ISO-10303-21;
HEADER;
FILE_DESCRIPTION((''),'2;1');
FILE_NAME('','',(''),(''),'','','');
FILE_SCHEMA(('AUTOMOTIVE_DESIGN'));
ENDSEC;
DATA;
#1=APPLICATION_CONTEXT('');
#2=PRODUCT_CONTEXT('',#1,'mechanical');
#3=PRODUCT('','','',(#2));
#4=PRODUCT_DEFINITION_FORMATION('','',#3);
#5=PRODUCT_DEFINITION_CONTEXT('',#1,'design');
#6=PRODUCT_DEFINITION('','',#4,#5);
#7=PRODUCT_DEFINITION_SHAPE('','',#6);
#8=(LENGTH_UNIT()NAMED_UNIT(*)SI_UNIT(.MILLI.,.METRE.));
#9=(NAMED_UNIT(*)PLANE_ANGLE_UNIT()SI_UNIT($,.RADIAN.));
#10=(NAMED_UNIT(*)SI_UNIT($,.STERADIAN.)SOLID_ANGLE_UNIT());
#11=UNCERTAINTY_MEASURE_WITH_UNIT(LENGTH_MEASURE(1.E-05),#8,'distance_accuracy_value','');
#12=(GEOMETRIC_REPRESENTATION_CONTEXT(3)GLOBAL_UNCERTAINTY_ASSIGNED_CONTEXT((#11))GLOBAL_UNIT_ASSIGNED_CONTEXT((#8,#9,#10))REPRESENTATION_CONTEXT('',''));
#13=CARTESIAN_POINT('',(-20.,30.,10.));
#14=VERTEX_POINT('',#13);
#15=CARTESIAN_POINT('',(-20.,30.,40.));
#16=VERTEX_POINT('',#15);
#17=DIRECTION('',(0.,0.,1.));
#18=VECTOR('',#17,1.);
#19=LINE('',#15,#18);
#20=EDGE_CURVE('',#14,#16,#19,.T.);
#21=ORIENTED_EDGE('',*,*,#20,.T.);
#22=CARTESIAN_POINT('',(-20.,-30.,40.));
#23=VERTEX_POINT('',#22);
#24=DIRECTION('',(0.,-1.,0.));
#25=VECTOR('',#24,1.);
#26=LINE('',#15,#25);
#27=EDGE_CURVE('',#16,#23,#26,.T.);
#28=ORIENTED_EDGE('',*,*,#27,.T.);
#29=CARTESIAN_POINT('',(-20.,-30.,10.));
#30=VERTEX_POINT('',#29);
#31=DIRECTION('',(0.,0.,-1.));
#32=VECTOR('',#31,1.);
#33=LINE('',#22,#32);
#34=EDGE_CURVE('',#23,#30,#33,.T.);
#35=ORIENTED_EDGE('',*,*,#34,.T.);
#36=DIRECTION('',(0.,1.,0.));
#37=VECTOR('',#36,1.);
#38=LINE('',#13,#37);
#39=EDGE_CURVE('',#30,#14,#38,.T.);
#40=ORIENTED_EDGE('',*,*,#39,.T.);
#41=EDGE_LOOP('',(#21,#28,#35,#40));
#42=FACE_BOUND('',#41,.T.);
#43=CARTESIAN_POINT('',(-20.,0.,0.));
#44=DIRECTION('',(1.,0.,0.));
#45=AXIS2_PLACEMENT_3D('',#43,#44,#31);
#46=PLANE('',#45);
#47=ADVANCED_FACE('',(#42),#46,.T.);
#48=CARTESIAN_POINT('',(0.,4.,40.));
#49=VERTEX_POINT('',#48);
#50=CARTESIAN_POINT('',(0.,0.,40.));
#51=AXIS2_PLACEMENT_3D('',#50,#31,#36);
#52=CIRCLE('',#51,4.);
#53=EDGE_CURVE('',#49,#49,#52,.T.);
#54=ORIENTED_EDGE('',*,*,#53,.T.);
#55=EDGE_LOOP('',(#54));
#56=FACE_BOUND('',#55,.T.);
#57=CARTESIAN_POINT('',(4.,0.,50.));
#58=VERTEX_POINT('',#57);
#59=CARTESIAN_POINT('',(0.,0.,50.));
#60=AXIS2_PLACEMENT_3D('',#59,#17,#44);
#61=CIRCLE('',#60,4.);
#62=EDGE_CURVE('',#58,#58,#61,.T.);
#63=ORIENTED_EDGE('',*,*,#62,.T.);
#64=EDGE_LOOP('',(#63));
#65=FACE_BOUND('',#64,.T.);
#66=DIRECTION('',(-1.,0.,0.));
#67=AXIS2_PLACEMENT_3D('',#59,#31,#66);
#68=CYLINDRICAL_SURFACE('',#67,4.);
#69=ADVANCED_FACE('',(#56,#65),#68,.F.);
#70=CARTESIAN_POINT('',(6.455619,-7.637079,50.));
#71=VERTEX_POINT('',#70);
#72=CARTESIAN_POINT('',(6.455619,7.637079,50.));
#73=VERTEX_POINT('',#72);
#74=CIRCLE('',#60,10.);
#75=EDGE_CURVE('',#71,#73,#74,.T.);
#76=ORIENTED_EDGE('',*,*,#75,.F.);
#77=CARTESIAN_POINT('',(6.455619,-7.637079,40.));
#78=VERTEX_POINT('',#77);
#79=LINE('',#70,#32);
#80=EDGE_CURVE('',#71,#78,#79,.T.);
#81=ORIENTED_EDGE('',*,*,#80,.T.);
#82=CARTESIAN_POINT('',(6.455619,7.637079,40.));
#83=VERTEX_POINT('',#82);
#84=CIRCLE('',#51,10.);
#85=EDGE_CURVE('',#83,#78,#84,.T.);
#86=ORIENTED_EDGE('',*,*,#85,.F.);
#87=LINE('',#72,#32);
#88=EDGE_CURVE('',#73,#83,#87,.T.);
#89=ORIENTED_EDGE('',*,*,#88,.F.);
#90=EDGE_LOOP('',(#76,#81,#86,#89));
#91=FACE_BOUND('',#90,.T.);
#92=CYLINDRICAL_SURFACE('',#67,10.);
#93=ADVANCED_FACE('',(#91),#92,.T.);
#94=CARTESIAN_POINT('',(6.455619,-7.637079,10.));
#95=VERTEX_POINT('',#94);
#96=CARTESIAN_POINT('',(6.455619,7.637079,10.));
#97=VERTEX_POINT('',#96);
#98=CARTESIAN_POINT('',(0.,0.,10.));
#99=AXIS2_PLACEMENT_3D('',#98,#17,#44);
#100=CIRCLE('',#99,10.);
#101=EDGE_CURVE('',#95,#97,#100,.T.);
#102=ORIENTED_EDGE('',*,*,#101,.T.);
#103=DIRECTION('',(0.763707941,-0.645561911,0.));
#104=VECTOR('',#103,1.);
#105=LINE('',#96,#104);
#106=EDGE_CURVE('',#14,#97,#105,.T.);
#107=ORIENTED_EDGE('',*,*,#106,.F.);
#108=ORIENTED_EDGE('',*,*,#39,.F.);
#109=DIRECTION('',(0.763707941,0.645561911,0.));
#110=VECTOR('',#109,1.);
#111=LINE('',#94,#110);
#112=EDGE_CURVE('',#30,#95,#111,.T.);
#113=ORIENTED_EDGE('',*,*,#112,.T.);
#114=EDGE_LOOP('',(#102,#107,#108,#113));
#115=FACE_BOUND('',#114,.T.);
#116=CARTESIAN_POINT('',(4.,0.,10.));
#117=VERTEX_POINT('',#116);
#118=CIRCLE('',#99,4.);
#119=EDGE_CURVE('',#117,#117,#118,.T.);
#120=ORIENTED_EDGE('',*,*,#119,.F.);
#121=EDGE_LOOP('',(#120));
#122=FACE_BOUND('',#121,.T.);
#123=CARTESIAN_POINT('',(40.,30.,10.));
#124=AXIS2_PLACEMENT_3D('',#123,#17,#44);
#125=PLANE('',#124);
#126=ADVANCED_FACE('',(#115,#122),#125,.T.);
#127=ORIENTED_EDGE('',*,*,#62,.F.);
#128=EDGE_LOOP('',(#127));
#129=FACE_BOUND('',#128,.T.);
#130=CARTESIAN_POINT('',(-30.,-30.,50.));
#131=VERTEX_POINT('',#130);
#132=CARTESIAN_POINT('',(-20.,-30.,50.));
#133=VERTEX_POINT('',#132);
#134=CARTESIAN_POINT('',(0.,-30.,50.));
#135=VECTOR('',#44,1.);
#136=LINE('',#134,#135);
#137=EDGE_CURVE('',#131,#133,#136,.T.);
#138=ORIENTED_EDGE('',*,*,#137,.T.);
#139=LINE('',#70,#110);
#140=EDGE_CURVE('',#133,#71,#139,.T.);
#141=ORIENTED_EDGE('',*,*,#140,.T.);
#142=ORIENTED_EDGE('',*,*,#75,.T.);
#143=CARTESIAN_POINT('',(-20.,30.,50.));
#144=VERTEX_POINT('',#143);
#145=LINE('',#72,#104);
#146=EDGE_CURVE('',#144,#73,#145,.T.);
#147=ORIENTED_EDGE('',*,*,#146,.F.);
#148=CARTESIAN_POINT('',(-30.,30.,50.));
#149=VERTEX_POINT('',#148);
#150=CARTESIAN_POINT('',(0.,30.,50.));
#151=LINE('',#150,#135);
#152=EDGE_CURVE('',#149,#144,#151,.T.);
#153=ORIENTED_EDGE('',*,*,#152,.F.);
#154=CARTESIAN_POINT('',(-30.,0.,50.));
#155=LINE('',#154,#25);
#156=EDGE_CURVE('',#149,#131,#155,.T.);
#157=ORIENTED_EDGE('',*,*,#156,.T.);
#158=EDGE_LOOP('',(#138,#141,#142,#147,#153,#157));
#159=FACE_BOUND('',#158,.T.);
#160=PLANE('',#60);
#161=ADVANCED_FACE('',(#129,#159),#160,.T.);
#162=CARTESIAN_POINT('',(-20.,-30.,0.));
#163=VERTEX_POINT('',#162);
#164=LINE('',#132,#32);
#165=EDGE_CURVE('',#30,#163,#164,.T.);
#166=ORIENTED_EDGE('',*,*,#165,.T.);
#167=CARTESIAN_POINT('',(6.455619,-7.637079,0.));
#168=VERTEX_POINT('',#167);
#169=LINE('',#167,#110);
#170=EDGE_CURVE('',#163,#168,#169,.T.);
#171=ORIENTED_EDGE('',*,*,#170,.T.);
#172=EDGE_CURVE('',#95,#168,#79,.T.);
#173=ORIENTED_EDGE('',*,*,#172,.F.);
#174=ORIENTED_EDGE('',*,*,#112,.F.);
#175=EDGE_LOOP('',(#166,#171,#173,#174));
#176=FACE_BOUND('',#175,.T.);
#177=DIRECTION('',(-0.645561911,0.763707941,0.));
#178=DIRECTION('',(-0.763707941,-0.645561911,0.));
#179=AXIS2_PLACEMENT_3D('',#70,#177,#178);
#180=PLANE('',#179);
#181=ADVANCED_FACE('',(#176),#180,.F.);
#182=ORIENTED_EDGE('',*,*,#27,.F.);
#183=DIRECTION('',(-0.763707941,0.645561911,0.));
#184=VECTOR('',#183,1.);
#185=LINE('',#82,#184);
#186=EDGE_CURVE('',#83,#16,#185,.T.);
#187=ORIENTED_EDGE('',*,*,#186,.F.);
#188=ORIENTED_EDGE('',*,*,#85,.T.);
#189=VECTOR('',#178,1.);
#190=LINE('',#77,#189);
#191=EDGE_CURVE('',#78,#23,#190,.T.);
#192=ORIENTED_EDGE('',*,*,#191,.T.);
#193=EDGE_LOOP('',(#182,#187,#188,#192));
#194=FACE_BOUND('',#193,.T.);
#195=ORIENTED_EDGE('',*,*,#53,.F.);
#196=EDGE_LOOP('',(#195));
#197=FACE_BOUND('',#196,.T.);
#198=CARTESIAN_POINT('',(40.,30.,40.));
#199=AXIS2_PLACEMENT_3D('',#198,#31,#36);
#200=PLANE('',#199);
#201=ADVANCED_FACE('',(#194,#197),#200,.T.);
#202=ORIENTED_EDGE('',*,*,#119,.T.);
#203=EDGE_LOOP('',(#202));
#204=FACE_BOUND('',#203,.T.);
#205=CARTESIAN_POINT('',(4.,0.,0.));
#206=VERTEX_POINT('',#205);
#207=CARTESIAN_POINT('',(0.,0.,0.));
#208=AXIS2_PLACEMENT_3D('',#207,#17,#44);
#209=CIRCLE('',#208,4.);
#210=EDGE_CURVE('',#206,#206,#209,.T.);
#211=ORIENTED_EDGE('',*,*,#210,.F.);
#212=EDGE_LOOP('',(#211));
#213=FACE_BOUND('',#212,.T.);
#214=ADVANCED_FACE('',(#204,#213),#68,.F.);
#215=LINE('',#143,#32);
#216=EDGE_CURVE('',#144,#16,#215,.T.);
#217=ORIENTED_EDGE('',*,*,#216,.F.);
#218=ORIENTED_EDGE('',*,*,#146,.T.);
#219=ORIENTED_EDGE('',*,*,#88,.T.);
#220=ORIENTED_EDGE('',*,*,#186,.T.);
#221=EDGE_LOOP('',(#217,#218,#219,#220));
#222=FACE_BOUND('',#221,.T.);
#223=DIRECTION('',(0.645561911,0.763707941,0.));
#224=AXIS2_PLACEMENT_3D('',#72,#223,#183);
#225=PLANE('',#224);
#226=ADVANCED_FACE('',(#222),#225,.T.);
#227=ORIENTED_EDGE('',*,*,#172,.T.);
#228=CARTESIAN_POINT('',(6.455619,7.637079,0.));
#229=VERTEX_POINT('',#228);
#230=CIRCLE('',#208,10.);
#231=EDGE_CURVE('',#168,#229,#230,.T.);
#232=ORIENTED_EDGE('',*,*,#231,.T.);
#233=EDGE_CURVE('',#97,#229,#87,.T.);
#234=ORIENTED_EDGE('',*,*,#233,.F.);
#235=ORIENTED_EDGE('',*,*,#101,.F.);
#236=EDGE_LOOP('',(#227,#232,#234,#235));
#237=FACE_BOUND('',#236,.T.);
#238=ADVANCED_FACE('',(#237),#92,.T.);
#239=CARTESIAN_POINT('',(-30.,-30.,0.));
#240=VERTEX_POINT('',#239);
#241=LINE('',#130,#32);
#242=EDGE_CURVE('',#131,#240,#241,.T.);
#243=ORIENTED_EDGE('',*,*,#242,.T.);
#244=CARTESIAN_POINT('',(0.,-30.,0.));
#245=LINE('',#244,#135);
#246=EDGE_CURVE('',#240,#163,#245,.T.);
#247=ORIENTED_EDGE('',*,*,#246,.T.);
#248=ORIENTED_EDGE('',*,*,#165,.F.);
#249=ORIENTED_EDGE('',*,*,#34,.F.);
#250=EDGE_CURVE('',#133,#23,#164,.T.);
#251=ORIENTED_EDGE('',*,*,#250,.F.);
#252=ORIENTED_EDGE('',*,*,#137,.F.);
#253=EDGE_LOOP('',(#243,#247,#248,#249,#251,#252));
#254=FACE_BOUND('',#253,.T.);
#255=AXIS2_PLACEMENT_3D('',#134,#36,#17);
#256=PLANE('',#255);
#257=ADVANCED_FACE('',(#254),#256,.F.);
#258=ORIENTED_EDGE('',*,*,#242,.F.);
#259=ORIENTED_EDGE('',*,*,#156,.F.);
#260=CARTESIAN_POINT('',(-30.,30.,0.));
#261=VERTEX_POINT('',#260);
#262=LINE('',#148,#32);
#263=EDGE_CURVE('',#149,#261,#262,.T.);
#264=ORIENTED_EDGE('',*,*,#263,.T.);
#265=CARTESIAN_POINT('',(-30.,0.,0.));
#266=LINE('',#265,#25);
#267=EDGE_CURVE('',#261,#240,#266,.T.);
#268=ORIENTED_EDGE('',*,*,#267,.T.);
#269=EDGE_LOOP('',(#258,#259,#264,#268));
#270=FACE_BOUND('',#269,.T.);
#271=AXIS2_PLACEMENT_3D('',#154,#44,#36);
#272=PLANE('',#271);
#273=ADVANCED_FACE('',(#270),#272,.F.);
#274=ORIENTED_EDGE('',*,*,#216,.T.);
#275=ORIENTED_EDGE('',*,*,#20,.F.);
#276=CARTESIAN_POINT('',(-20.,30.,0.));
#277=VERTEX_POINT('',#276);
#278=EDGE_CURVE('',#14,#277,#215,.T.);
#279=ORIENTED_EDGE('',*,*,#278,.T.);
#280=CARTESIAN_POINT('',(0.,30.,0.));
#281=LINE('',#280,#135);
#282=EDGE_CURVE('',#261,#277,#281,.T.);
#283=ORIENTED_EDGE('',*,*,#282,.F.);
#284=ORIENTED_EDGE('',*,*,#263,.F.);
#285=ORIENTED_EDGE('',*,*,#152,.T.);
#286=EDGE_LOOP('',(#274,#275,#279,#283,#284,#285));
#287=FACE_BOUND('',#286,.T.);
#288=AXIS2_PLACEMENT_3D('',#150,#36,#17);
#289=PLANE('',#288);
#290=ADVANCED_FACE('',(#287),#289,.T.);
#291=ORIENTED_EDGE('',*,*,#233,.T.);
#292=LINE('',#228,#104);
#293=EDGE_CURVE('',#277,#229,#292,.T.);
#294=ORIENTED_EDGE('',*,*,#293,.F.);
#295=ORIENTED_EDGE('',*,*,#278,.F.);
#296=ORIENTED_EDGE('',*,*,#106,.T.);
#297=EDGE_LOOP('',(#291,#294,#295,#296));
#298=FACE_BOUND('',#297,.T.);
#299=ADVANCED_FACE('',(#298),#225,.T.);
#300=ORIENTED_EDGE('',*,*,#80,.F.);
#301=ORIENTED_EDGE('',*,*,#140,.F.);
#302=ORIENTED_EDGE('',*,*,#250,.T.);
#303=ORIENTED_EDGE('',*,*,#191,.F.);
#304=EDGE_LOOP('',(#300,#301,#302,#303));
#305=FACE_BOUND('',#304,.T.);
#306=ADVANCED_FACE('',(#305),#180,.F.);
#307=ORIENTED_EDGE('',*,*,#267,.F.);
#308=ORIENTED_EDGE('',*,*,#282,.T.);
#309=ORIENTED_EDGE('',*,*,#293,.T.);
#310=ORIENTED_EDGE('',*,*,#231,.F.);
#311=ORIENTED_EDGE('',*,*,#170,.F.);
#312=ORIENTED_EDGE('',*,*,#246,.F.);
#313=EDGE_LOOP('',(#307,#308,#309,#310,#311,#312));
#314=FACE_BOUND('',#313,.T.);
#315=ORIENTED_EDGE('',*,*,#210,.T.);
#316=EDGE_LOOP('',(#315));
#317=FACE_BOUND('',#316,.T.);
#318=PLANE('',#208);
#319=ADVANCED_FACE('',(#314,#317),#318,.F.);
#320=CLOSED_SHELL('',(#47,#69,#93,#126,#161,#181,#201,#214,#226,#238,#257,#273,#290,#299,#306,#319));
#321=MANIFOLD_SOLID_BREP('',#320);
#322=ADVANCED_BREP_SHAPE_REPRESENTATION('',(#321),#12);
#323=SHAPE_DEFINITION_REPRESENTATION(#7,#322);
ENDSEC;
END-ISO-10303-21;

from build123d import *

# Parameters (mm, degrees)
SKETCH1_R               = 4
BOSS_EXTRUDE1_DEPTH     = 50
CUT_EXTRUDE1_DEPTH      = 40
CUT_EXTRUDE1_DEPTH_BACK = 20
SKETCH2_W               = 30
SKETCH2_H               = 60


with BuildPart() as part:
    # Sketch1 → Boss-Extrude1 (new body)
    with BuildSketch(Plane.XY):
        with BuildLine():
            ThreePointArc((6.455619112, -7.637079408), (10, 0), (6.455619112, 7.637079408))
            Line((6.455619112, 7.637079408), (-20, 30))
            Line((-20, 30), (-30, 30))
            Line((-30, 30), (-30, -30))
            Line((-30, -30), (-20, -30))
            Line((-20, -30), (6.455619112, -7.637079408))
        make_face()
        Circle(SKETCH1_R, mode=Mode.SUBTRACT)
    extrude(amount=BOSS_EXTRUDE1_DEPTH)

    # Sketch2 → Cut-Extrude1 (cut, two sides: drawn at the far end of the back side and taken through both)
    with BuildSketch(Plane(origin=(0, 0, 0), x_dir=(0, 0, -1), z_dir=(1, 0, 0)).offset(-CUT_EXTRUDE1_DEPTH_BACK)):
        with Locations((-25, 0)):
            Rectangle(SKETCH2_W, SKETCH2_H)
    extrude(amount=CUT_EXTRUDE1_DEPTH + CUT_EXTRUDE1_DEPTH_BACK, mode=Mode.SUBTRACT)


solid = part.part
